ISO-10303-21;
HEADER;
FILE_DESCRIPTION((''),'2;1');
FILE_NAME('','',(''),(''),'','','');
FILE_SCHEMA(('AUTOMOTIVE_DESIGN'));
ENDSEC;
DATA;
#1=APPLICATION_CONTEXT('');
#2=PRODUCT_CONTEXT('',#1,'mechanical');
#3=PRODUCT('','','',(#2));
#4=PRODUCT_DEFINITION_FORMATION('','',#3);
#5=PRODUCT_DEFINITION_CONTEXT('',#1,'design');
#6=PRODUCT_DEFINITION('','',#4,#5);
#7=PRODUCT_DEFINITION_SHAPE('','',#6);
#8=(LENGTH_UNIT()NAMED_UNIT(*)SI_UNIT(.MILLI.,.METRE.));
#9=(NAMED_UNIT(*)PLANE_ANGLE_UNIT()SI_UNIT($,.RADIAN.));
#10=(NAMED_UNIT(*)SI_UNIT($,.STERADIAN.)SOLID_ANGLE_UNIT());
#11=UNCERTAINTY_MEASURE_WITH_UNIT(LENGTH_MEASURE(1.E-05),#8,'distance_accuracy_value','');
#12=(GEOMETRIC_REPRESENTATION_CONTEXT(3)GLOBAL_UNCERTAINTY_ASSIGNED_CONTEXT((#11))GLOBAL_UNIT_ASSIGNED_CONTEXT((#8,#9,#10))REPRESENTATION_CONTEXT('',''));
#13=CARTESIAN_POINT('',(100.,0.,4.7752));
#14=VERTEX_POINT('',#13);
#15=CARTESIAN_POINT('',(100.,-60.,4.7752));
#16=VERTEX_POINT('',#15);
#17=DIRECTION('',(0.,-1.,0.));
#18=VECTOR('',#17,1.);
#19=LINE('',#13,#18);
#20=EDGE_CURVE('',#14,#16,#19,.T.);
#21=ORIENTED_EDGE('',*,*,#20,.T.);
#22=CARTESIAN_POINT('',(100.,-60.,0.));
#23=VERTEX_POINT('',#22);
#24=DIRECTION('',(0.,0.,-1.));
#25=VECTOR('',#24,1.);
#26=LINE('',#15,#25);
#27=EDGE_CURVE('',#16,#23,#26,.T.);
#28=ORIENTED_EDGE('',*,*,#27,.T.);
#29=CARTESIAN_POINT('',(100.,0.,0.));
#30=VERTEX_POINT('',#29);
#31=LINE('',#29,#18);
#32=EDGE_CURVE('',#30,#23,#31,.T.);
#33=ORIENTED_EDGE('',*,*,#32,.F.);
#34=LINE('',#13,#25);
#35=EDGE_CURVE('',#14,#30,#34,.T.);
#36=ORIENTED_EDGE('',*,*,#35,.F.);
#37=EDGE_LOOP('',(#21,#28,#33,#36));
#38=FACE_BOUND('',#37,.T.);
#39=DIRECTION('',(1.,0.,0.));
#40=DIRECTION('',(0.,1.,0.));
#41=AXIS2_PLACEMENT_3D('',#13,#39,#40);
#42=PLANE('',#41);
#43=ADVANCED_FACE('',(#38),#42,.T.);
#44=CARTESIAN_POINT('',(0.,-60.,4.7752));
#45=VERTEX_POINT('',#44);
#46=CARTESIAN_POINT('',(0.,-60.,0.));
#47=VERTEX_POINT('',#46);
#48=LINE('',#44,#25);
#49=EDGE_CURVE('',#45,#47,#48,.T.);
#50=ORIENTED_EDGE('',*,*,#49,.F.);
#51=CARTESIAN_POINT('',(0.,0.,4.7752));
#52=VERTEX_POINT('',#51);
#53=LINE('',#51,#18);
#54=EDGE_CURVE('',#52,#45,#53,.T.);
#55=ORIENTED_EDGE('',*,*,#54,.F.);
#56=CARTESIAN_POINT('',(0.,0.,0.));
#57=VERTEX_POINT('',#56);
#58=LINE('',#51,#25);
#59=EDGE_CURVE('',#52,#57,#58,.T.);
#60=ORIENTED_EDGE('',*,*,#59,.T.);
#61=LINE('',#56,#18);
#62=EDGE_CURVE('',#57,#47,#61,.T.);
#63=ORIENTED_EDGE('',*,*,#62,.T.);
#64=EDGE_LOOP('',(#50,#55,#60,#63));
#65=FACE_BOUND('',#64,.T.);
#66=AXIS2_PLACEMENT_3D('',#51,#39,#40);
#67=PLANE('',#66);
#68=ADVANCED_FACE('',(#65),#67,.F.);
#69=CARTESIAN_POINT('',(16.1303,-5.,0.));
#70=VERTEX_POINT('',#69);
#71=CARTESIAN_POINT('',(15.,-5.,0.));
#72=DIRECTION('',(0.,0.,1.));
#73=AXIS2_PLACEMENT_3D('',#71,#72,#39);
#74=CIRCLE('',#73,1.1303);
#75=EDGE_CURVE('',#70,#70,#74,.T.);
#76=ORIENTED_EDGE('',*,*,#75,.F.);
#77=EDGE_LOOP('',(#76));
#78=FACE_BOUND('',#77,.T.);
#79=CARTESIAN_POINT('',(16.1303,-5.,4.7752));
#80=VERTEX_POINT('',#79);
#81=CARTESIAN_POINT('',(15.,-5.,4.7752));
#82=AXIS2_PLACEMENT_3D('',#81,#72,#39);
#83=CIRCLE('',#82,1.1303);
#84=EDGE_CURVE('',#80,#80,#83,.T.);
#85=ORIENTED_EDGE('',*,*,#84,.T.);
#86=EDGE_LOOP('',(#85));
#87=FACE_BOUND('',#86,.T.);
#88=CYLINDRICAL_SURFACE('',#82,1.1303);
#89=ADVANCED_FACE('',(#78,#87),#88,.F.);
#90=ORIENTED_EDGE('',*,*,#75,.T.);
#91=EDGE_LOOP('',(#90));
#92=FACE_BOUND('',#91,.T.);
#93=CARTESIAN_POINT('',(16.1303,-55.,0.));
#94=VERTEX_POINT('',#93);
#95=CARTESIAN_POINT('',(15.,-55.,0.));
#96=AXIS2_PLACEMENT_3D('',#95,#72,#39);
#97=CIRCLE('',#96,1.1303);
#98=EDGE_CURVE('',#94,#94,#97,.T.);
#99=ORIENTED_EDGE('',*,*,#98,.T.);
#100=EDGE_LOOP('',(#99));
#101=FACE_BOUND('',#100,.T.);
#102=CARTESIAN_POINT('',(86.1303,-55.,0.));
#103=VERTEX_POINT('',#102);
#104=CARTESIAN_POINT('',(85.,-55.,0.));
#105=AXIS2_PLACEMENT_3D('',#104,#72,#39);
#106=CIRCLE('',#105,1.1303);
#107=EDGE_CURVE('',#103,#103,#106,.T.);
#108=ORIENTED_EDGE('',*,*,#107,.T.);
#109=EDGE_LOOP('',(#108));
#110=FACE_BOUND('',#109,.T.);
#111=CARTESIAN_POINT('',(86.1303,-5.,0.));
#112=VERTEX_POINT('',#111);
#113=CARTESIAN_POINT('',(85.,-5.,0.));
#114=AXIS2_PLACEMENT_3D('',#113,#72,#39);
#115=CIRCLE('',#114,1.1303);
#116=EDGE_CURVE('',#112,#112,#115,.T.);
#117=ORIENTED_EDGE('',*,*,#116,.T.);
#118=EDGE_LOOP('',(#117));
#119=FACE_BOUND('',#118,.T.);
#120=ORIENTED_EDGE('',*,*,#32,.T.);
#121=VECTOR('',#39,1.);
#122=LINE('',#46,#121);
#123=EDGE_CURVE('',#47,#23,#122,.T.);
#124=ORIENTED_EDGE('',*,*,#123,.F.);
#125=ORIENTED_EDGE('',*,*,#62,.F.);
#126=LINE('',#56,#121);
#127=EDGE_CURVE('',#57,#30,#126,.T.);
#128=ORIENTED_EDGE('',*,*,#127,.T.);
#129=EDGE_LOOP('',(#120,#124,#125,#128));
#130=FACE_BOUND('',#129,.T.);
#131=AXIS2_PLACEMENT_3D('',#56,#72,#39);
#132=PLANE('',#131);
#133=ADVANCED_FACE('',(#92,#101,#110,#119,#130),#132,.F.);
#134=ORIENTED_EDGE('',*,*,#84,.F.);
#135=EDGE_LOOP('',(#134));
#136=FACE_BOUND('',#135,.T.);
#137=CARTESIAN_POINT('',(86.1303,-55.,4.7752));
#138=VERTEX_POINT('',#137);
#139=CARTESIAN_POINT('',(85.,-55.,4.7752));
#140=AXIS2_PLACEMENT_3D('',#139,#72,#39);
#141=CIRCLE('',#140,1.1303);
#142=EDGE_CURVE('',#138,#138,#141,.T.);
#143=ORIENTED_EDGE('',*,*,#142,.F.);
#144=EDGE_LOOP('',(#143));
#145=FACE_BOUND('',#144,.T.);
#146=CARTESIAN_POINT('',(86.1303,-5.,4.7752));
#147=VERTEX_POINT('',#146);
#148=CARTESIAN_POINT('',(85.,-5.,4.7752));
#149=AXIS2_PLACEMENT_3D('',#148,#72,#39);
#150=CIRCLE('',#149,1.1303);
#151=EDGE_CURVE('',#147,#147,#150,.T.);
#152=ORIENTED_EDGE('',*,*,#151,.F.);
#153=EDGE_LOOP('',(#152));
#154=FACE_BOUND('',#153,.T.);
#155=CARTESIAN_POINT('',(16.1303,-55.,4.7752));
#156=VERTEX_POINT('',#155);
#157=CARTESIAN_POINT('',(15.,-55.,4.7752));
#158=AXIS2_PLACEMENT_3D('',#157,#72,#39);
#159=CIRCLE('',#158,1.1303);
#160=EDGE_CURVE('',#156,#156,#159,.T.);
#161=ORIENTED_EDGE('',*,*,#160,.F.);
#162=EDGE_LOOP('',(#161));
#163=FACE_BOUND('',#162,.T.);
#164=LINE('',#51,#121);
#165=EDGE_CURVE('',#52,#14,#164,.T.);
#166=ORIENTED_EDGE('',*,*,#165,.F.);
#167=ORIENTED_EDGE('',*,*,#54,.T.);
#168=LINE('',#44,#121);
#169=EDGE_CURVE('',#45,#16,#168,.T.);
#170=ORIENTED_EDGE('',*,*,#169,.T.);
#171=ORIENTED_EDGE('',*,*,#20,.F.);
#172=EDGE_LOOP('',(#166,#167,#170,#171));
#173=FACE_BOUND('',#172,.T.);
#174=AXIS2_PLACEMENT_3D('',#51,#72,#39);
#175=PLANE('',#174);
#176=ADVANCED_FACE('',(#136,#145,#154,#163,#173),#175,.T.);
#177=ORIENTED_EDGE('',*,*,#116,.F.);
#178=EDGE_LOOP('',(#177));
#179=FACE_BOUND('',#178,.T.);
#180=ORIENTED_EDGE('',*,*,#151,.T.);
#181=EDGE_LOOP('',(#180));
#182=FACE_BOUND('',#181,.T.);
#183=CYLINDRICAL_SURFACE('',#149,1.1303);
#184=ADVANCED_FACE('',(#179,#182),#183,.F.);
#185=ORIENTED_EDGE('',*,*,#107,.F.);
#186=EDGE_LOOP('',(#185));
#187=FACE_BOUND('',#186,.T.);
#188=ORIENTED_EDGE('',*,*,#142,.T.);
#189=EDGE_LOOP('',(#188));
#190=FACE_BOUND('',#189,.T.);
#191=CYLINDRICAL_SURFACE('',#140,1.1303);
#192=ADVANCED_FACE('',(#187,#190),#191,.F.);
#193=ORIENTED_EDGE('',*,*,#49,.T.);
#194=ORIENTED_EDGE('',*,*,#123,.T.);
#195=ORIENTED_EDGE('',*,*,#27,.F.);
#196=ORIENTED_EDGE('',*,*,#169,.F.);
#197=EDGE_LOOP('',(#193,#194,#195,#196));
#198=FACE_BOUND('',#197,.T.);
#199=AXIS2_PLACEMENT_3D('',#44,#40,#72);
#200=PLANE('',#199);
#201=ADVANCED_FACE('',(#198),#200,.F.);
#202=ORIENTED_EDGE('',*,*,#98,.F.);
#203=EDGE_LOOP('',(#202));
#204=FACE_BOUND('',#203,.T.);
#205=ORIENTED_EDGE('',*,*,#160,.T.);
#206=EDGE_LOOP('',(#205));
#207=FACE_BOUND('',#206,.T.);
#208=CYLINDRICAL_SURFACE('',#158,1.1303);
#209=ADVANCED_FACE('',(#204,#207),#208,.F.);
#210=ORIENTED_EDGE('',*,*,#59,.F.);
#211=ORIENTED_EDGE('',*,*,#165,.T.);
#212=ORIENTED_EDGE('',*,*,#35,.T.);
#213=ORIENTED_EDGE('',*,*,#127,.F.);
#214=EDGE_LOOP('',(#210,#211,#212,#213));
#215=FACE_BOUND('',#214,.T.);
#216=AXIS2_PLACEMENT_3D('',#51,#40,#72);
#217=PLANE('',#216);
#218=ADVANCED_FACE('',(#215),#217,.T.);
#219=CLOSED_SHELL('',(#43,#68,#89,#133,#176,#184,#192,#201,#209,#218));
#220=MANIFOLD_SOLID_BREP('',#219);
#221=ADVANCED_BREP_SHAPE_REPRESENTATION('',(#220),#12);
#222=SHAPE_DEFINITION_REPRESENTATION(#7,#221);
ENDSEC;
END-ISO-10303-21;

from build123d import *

# Parameters (mm, degrees)
SKETCH1_W             = 100
SKETCH1_H             = 60
SKETCH1_R             = 1.13
BOSS_EXTRUDE1_DEPTH   = 4.7752
F_4_40_TAPPED_HOLE1_D = 2.2606


with BuildPart() as part:
    # Sketch1 → Boss-Extrude1 (new body)
    with BuildSketch(Plane.XY):
        with Locations((50, -30)):
            Rectangle(SKETCH1_W, SKETCH1_H)
        with Locations((15, -5)):
            Circle(SKETCH1_R, mode=Mode.SUBTRACT)
        with Locations((15, -55)):
            Circle(SKETCH1_R, mode=Mode.SUBTRACT)
        with Locations((85, -5)):
            Circle(SKETCH1_R, mode=Mode.SUBTRACT)
        with Locations((85, -55)):
            Circle(SKETCH1_R, mode=Mode.SUBTRACT)
    extrude(amount=BOSS_EXTRUDE1_DEPTH)

    # #4-40 Tapped Hole1 (through all)
    with Locations(Plane(origin=(15, -5, 4.7752), x_dir=(1, 0, 0), z_dir=(0, 0, 1))):
        with Locations((0, 0), (0, -50), (70, -50), (70, 0)):
            Hole(F_4_40_TAPPED_HOLE1_D / 2)


solid = part.part
